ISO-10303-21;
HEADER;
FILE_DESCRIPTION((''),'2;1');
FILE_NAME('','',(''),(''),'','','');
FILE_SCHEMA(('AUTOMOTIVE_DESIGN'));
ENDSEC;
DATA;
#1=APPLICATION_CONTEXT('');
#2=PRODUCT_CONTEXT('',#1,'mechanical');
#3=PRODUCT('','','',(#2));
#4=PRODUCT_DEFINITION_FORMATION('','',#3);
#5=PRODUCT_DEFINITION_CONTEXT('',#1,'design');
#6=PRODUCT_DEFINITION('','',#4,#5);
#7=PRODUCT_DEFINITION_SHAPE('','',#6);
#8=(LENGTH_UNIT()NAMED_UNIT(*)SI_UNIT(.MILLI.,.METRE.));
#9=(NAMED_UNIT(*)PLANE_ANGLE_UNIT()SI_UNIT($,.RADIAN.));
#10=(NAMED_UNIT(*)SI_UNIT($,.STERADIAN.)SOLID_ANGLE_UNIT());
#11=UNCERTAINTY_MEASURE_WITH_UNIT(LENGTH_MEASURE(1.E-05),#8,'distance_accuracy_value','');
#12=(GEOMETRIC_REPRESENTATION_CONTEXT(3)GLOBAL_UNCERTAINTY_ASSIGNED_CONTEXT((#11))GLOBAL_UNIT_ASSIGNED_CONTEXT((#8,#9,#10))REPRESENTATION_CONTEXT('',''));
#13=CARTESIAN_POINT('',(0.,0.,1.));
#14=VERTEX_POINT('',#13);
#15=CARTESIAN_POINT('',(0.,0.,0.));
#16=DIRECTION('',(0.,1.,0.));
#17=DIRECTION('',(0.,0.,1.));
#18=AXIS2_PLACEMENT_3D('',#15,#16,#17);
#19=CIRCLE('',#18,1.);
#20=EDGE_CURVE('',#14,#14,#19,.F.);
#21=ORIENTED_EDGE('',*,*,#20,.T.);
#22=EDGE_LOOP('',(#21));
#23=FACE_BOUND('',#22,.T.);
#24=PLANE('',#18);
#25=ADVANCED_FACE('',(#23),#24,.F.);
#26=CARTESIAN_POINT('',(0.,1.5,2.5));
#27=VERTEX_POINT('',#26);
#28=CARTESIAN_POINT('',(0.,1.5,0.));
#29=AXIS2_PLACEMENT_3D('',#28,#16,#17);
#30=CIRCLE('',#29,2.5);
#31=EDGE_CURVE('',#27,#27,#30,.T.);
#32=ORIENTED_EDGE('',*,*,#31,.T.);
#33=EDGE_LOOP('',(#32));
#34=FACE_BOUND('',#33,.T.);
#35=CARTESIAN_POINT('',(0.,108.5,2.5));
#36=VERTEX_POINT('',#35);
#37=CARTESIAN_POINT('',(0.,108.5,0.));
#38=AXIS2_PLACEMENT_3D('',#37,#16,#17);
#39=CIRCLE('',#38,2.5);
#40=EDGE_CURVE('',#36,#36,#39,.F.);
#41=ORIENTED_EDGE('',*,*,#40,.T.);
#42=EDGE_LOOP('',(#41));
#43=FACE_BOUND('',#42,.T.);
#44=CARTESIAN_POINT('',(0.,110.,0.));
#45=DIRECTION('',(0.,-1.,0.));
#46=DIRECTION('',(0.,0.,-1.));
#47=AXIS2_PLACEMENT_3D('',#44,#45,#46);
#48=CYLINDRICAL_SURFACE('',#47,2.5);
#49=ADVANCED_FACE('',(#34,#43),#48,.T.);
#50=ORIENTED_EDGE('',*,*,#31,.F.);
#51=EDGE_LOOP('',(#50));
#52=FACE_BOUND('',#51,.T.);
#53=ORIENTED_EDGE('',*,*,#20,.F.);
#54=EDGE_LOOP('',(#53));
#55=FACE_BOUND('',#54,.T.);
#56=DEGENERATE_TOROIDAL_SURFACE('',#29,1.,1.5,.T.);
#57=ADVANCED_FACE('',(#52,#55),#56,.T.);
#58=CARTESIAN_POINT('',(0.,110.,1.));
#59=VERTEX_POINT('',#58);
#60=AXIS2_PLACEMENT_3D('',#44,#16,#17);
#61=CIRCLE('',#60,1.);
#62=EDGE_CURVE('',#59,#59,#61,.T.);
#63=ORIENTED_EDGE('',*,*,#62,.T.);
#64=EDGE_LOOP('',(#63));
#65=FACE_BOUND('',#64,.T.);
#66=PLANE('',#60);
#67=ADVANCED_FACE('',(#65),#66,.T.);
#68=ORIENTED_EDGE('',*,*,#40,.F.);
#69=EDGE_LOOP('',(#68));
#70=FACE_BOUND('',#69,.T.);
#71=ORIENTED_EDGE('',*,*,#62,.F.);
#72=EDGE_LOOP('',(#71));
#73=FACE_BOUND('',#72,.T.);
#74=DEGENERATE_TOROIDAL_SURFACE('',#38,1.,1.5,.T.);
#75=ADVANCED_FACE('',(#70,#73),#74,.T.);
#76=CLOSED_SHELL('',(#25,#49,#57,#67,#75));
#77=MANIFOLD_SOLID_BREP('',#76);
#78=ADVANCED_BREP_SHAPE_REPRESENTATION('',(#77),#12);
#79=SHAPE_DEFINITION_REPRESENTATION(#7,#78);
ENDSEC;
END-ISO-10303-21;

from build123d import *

# Parameters (mm, degrees)
SKETCH1_R           = 2.5
BOSS_EXTRUDE1_DEPTH = 110
FILLET1_R           = 1.5


with BuildPart() as part:
    # Sketch1 → Boss-Extrude1 (new body)
    with BuildSketch(Plane(origin=(0, 0, 0), x_dir=(1, 0, 0), z_dir=(0, 1, 0))):
        Circle(SKETCH1_R)
    extrude(amount=BOSS_EXTRUDE1_DEPTH)

    # Fillet1
    fillet1_edges = [part.edges().sort_by_distance(p)[0] for p in [
        (-2.5, 0, 0),
        (-2.5, 110, 0),
    ]]
    fillet(fillet1_edges, radius=FILLET1_R)


solid = part.part
